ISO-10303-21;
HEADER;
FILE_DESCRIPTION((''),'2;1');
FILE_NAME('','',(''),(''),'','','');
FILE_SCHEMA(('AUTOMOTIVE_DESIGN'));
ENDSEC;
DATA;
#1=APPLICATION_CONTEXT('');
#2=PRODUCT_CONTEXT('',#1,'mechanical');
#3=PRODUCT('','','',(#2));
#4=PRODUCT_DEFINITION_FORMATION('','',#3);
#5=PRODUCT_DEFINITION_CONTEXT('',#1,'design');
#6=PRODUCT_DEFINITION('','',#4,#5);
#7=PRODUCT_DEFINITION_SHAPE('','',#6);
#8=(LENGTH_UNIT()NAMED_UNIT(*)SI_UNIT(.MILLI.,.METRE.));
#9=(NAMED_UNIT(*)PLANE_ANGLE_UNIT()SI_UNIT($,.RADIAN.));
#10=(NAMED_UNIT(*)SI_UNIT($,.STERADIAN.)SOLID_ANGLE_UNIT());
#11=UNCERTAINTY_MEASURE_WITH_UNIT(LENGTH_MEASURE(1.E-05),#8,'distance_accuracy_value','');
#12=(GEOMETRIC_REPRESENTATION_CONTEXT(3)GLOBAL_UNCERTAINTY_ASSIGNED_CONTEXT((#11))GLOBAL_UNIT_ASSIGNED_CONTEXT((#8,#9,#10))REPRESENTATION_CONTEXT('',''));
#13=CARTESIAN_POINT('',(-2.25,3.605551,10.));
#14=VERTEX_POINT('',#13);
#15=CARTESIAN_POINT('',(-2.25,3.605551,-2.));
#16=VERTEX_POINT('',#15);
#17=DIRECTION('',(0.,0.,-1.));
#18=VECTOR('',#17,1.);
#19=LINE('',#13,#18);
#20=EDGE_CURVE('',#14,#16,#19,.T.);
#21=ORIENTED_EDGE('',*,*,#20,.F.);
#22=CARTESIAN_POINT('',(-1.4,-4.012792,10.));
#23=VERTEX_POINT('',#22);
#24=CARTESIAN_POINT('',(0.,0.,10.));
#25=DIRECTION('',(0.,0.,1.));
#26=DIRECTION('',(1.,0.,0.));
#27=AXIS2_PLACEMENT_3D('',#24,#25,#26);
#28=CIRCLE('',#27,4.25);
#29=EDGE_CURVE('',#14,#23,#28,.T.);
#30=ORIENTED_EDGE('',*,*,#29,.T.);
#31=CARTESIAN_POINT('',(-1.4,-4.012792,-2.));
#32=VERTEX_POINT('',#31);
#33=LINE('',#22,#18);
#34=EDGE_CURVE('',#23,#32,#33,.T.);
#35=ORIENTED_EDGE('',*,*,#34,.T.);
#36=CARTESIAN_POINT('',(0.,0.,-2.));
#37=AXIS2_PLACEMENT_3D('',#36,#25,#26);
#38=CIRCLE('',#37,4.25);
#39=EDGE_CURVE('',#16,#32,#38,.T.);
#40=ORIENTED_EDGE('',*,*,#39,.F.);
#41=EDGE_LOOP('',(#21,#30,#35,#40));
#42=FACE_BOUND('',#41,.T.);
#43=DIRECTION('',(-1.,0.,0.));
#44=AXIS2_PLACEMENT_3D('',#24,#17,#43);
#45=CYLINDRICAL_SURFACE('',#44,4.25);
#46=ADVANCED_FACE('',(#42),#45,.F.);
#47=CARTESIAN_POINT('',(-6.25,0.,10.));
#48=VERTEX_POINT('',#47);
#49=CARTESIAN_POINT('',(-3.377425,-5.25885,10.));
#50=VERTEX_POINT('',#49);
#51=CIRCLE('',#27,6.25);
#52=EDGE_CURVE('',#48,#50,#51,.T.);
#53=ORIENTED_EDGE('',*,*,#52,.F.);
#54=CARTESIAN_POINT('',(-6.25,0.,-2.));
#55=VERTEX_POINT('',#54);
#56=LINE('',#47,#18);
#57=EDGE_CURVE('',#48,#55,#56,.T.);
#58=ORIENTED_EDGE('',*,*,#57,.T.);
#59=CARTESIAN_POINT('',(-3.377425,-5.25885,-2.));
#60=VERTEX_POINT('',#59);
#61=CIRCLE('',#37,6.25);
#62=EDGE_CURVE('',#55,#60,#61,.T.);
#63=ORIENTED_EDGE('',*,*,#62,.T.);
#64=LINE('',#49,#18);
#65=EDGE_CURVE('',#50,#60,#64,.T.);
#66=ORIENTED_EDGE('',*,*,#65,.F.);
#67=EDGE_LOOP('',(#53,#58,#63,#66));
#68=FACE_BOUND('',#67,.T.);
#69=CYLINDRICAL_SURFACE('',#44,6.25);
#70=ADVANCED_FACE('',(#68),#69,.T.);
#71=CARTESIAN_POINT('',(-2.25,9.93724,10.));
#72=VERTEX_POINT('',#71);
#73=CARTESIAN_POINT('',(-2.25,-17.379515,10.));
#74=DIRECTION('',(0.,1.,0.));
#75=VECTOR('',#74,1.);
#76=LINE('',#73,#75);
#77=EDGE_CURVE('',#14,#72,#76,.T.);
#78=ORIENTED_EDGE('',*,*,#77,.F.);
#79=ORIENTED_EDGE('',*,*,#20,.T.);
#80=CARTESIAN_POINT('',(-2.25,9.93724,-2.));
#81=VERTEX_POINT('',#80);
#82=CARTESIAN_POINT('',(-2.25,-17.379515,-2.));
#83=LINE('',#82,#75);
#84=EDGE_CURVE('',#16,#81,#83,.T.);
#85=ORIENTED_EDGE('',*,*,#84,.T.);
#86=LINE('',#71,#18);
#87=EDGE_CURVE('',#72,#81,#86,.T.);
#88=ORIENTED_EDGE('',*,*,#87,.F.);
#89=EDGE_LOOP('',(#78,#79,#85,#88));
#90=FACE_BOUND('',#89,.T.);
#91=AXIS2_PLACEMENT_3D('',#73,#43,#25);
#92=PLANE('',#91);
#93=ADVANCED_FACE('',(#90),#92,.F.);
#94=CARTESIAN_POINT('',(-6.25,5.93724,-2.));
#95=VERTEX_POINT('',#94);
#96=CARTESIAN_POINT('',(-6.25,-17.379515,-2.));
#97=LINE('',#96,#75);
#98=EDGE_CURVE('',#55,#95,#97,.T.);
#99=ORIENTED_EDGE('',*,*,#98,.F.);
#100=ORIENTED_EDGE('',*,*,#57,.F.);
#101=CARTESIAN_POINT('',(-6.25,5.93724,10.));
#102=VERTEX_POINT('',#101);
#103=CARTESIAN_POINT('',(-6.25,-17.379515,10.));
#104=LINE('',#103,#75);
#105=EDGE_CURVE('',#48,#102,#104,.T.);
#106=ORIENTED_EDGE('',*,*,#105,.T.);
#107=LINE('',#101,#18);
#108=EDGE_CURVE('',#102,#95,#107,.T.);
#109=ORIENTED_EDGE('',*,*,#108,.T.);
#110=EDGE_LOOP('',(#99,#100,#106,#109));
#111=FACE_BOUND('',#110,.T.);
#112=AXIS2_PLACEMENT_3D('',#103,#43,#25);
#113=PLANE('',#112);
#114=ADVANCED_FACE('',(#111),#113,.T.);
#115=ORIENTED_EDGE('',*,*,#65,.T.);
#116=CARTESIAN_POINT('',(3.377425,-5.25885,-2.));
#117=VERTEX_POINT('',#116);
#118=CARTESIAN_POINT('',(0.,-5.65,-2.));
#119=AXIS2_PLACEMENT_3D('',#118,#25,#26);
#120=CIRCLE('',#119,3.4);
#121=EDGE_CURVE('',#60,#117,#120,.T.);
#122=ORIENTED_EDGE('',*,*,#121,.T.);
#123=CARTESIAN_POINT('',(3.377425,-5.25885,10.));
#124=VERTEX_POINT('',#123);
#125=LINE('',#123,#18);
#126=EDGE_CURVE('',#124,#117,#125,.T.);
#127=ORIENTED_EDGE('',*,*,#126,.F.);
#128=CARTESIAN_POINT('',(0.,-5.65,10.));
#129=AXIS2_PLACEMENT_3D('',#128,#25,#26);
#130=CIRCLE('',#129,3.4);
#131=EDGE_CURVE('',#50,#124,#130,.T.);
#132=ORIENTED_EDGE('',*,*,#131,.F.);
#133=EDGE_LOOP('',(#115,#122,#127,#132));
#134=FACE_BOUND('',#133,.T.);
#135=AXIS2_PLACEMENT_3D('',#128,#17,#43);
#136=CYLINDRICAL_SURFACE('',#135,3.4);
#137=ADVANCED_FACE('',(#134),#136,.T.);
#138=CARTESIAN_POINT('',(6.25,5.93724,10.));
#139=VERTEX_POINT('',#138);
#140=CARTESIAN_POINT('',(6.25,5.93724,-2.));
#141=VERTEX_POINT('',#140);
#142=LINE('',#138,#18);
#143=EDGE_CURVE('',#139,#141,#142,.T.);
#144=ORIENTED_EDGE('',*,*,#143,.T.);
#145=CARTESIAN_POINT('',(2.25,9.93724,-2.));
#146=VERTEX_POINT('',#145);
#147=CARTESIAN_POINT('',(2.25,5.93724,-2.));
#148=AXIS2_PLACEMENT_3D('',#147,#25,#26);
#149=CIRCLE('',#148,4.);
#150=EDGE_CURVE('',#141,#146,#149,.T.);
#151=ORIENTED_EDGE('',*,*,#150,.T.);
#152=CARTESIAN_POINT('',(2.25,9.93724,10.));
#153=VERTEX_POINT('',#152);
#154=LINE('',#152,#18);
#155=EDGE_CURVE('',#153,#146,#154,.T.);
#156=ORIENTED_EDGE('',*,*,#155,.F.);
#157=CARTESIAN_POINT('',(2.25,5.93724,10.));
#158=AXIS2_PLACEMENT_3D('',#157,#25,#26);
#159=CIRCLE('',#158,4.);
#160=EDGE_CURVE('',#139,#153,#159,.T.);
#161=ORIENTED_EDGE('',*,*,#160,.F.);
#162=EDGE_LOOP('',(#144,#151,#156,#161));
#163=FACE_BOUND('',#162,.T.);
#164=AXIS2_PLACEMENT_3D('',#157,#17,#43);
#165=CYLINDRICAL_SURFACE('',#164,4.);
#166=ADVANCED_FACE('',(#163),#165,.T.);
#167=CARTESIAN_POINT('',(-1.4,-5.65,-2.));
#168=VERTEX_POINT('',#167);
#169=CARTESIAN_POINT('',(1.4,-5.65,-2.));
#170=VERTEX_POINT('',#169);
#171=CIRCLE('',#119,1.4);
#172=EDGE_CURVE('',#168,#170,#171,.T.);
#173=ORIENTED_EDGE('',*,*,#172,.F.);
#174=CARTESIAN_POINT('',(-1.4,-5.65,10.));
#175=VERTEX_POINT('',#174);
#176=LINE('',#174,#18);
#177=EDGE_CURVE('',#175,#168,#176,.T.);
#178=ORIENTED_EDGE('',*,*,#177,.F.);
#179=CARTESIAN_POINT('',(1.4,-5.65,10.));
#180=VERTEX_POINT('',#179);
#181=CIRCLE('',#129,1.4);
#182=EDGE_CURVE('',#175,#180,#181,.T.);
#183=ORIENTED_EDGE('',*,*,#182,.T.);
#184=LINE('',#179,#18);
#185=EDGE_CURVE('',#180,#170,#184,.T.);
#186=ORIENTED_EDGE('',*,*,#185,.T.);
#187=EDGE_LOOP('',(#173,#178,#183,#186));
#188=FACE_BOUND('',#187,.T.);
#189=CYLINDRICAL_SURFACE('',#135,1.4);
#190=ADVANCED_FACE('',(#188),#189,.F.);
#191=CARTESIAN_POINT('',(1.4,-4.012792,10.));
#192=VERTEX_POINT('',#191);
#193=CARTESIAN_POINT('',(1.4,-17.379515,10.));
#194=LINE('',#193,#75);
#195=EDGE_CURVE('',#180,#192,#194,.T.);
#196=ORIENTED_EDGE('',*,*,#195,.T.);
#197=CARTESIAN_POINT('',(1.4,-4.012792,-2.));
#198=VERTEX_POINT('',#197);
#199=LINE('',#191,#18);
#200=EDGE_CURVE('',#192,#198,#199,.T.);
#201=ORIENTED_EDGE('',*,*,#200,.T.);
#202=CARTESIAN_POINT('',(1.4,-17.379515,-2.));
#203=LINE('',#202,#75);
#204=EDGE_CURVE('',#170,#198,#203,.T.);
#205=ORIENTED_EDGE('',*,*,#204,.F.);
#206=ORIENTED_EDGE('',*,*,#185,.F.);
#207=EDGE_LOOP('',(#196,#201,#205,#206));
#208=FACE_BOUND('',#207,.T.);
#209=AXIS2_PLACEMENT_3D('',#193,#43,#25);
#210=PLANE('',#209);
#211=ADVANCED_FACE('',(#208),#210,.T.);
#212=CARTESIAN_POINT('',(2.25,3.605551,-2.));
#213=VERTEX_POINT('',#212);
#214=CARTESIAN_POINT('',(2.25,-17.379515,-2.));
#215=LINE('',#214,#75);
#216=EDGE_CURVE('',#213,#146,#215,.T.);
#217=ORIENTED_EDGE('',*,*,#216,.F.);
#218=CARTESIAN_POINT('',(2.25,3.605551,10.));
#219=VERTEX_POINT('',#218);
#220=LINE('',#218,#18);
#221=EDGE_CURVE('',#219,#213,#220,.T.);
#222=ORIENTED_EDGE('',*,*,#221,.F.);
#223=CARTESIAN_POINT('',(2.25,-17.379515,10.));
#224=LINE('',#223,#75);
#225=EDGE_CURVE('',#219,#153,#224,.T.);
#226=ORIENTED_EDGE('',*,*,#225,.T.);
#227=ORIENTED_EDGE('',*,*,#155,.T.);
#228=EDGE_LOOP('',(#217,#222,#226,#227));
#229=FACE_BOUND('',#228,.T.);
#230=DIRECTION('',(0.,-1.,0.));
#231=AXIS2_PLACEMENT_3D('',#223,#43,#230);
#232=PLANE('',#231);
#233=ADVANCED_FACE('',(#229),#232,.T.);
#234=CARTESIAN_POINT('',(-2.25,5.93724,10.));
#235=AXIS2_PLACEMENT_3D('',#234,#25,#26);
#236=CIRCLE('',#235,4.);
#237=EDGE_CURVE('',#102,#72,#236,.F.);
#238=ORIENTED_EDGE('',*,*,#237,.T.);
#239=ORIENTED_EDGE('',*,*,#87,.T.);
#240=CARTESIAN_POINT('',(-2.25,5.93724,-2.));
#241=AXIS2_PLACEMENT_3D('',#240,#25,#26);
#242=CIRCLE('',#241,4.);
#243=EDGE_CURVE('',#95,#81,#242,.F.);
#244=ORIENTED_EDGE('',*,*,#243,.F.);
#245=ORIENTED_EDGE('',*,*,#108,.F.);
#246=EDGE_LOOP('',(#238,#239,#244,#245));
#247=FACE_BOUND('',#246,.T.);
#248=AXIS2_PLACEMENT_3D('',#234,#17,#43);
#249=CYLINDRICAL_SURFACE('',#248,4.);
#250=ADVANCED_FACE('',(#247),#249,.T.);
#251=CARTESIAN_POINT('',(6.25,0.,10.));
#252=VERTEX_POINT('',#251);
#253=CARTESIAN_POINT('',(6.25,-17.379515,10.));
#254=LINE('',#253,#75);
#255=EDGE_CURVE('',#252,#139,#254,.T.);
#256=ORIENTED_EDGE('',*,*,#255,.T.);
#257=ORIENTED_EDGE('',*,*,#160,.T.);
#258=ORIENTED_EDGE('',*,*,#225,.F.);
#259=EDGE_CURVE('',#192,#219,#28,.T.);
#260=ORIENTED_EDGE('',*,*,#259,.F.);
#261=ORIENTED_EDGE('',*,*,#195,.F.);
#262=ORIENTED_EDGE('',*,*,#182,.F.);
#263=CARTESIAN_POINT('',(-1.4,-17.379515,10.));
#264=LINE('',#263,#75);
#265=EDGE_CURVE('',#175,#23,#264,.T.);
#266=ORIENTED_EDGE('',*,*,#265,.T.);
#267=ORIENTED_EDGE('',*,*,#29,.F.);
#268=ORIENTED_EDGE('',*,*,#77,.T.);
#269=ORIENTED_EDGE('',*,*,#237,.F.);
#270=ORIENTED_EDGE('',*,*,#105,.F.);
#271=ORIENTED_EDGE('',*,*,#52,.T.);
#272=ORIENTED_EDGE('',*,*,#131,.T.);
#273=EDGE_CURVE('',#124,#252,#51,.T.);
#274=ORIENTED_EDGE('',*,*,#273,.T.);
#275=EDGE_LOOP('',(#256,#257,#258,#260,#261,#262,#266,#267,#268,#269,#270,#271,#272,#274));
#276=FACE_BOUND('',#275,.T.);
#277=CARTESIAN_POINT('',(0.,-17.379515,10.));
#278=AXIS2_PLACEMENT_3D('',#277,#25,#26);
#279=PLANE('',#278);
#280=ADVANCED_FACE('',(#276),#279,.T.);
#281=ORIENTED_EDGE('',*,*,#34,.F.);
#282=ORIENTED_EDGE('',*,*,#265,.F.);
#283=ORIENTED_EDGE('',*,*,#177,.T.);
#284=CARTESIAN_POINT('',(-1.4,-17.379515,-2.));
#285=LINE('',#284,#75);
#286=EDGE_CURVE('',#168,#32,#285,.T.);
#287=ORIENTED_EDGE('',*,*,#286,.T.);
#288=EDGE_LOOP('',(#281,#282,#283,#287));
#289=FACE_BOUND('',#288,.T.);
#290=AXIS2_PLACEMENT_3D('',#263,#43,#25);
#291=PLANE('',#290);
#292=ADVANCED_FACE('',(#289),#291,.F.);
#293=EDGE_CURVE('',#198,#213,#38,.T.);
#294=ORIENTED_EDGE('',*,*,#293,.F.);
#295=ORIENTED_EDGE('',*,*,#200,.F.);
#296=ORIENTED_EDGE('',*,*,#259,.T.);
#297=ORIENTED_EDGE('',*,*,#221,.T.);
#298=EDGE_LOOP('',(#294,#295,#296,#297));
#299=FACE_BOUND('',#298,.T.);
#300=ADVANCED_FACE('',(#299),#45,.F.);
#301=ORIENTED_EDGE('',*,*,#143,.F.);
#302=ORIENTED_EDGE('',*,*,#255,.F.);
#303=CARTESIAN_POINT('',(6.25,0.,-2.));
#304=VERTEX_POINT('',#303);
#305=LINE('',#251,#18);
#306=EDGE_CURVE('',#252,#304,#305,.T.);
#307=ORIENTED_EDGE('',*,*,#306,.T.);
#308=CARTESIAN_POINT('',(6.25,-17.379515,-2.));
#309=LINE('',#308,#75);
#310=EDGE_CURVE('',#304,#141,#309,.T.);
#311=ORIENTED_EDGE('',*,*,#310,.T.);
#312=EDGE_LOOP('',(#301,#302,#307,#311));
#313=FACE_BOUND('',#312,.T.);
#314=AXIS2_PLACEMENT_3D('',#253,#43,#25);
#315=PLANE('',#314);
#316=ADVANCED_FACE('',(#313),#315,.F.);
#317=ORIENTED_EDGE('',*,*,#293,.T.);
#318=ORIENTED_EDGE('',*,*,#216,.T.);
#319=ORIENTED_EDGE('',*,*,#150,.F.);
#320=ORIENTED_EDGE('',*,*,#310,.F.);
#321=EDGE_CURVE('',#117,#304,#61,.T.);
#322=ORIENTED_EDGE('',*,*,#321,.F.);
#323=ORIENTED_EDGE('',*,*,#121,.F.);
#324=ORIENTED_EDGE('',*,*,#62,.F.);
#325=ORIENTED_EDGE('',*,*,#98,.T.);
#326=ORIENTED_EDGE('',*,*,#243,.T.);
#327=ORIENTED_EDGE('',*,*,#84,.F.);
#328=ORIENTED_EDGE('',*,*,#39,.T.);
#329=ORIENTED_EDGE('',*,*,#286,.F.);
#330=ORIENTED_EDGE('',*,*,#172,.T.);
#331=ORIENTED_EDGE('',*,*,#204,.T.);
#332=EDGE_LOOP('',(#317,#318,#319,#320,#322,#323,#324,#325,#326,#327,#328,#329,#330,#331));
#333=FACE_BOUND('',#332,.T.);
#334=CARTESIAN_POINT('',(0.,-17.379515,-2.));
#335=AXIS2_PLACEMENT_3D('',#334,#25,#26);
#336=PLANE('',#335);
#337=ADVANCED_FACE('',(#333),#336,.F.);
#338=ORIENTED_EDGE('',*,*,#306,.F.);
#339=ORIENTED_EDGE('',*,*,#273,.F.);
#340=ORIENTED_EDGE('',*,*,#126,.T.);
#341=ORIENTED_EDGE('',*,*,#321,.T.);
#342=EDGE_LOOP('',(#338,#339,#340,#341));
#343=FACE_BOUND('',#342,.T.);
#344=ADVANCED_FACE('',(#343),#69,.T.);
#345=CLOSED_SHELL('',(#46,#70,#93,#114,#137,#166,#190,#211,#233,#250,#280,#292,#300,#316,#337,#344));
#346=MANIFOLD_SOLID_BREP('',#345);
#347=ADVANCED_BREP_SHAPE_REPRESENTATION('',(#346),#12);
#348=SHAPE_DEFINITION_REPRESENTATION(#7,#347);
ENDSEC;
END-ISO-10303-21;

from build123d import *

# Parameters (mm, degrees)
BOSS_EXTRUDE1_DEPTH = 10
BOSS_EXTRUDE2_START = -2
BOSS_EXTRUDE2_DEPTH = 2


with BuildPart() as part:
    # Sketch1 → Boss-Extrude1 (new body)
    with BuildSketch(Plane.XY):
        with BuildLine():
            Line((2.25, 5.018714975), (2.25, 3.605551275))
            ThreePointArc((2.25, 3.605551275), (4.223791394, -0.47126029), (1.4, -4.012792045))
            Line((1.4, -4.012792045), (1.4, -5.65))
            ThreePointArc((1.4, -5.65), (0, -7.05), (-1.4, -5.65))
            Line((-1.4, -5.65), (-1.4, -4.012792045))
            ThreePointArc((-1.4, -4.012792045), (-4.223791394, -0.47126029), (-2.25, 3.605551275))
            Line((-2.25, 3.605551275), (-2.25, 5.018714975))
            Line((-2.25, 5.018714975), (-2.25, 9.937240371))
            ThreePointArc((-2.25, 9.937240371), (-5.078427125, 8.765667496), (-6.25, 5.937240371))
            Line((-6.25, 5.937240371), (-6.25, 0))
            ThreePointArc((-6.25, 0), (-5.485043656, -2.996130185), (-3.377425252, -5.258849558))
            ThreePointArc((-3.377425252, -5.258849558), (0, -9.05), (3.377425252, -5.258849558))
            ThreePointArc((3.377425252, -5.258849558), (5.485043656, -2.996130185), (6.25, 0))
            Line((6.25, 0), (6.25, 5.937240371))
            ThreePointArc((6.25, 5.937240371), (5.078427125, 8.765667496), (2.25, 9.937240371))
            Line((2.25, 9.937240371), (2.25, 5.018714975))
        make_face()
    extrude(amount=BOSS_EXTRUDE1_DEPTH)

    # Sketch1<5> → Boss-Extrude2 (add)
    with BuildSketch(Plane.XY.offset(BOSS_EXTRUDE2_START)):
        with BuildLine():
            Line((2.25, 5.018714975), (2.25, 3.605551275))
            ThreePointArc((2.25, 3.605551275), (4.223791394, -0.47126029), (1.4, -4.012792045))
            Line((1.4, -4.012792045), (1.4, -5.65))
            ThreePointArc((1.4, -5.65), (0, -7.05), (-1.4, -5.65))
            Line((-1.4, -5.65), (-1.4, -4.012792045))
            ThreePointArc((-1.4, -4.012792045), (-4.223791394, -0.47126029), (-2.25, 3.605551275))
            Line((-2.25, 3.605551275), (-2.25, 5.018714975))
            Line((-2.25, 5.018714975), (-2.25, 9.937240371))
            ThreePointArc((-2.25, 9.937240371), (-5.078427125, 8.765667496), (-6.25, 5.937240371))
            Line((-6.25, 5.937240371), (-6.25, 0))
            ThreePointArc((-6.25, 0), (-5.485043656, -2.996130185), (-3.377425252, -5.258849558))
            ThreePointArc((-3.377425252, -5.258849558), (0, -9.05), (3.377425252, -5.258849558))
            ThreePointArc((3.377425252, -5.258849558), (5.485043656, -2.996130185), (6.25, 0))
            Line((6.25, 0), (6.25, 5.937240371))
            ThreePointArc((6.25, 5.937240371), (5.078427125, 8.765667496), (2.25, 9.937240371))
            Line((2.25, 9.937240371), (2.25, 5.018714975))
        make_face()
    extrude(amount=BOSS_EXTRUDE2_DEPTH)


solid = part.part
